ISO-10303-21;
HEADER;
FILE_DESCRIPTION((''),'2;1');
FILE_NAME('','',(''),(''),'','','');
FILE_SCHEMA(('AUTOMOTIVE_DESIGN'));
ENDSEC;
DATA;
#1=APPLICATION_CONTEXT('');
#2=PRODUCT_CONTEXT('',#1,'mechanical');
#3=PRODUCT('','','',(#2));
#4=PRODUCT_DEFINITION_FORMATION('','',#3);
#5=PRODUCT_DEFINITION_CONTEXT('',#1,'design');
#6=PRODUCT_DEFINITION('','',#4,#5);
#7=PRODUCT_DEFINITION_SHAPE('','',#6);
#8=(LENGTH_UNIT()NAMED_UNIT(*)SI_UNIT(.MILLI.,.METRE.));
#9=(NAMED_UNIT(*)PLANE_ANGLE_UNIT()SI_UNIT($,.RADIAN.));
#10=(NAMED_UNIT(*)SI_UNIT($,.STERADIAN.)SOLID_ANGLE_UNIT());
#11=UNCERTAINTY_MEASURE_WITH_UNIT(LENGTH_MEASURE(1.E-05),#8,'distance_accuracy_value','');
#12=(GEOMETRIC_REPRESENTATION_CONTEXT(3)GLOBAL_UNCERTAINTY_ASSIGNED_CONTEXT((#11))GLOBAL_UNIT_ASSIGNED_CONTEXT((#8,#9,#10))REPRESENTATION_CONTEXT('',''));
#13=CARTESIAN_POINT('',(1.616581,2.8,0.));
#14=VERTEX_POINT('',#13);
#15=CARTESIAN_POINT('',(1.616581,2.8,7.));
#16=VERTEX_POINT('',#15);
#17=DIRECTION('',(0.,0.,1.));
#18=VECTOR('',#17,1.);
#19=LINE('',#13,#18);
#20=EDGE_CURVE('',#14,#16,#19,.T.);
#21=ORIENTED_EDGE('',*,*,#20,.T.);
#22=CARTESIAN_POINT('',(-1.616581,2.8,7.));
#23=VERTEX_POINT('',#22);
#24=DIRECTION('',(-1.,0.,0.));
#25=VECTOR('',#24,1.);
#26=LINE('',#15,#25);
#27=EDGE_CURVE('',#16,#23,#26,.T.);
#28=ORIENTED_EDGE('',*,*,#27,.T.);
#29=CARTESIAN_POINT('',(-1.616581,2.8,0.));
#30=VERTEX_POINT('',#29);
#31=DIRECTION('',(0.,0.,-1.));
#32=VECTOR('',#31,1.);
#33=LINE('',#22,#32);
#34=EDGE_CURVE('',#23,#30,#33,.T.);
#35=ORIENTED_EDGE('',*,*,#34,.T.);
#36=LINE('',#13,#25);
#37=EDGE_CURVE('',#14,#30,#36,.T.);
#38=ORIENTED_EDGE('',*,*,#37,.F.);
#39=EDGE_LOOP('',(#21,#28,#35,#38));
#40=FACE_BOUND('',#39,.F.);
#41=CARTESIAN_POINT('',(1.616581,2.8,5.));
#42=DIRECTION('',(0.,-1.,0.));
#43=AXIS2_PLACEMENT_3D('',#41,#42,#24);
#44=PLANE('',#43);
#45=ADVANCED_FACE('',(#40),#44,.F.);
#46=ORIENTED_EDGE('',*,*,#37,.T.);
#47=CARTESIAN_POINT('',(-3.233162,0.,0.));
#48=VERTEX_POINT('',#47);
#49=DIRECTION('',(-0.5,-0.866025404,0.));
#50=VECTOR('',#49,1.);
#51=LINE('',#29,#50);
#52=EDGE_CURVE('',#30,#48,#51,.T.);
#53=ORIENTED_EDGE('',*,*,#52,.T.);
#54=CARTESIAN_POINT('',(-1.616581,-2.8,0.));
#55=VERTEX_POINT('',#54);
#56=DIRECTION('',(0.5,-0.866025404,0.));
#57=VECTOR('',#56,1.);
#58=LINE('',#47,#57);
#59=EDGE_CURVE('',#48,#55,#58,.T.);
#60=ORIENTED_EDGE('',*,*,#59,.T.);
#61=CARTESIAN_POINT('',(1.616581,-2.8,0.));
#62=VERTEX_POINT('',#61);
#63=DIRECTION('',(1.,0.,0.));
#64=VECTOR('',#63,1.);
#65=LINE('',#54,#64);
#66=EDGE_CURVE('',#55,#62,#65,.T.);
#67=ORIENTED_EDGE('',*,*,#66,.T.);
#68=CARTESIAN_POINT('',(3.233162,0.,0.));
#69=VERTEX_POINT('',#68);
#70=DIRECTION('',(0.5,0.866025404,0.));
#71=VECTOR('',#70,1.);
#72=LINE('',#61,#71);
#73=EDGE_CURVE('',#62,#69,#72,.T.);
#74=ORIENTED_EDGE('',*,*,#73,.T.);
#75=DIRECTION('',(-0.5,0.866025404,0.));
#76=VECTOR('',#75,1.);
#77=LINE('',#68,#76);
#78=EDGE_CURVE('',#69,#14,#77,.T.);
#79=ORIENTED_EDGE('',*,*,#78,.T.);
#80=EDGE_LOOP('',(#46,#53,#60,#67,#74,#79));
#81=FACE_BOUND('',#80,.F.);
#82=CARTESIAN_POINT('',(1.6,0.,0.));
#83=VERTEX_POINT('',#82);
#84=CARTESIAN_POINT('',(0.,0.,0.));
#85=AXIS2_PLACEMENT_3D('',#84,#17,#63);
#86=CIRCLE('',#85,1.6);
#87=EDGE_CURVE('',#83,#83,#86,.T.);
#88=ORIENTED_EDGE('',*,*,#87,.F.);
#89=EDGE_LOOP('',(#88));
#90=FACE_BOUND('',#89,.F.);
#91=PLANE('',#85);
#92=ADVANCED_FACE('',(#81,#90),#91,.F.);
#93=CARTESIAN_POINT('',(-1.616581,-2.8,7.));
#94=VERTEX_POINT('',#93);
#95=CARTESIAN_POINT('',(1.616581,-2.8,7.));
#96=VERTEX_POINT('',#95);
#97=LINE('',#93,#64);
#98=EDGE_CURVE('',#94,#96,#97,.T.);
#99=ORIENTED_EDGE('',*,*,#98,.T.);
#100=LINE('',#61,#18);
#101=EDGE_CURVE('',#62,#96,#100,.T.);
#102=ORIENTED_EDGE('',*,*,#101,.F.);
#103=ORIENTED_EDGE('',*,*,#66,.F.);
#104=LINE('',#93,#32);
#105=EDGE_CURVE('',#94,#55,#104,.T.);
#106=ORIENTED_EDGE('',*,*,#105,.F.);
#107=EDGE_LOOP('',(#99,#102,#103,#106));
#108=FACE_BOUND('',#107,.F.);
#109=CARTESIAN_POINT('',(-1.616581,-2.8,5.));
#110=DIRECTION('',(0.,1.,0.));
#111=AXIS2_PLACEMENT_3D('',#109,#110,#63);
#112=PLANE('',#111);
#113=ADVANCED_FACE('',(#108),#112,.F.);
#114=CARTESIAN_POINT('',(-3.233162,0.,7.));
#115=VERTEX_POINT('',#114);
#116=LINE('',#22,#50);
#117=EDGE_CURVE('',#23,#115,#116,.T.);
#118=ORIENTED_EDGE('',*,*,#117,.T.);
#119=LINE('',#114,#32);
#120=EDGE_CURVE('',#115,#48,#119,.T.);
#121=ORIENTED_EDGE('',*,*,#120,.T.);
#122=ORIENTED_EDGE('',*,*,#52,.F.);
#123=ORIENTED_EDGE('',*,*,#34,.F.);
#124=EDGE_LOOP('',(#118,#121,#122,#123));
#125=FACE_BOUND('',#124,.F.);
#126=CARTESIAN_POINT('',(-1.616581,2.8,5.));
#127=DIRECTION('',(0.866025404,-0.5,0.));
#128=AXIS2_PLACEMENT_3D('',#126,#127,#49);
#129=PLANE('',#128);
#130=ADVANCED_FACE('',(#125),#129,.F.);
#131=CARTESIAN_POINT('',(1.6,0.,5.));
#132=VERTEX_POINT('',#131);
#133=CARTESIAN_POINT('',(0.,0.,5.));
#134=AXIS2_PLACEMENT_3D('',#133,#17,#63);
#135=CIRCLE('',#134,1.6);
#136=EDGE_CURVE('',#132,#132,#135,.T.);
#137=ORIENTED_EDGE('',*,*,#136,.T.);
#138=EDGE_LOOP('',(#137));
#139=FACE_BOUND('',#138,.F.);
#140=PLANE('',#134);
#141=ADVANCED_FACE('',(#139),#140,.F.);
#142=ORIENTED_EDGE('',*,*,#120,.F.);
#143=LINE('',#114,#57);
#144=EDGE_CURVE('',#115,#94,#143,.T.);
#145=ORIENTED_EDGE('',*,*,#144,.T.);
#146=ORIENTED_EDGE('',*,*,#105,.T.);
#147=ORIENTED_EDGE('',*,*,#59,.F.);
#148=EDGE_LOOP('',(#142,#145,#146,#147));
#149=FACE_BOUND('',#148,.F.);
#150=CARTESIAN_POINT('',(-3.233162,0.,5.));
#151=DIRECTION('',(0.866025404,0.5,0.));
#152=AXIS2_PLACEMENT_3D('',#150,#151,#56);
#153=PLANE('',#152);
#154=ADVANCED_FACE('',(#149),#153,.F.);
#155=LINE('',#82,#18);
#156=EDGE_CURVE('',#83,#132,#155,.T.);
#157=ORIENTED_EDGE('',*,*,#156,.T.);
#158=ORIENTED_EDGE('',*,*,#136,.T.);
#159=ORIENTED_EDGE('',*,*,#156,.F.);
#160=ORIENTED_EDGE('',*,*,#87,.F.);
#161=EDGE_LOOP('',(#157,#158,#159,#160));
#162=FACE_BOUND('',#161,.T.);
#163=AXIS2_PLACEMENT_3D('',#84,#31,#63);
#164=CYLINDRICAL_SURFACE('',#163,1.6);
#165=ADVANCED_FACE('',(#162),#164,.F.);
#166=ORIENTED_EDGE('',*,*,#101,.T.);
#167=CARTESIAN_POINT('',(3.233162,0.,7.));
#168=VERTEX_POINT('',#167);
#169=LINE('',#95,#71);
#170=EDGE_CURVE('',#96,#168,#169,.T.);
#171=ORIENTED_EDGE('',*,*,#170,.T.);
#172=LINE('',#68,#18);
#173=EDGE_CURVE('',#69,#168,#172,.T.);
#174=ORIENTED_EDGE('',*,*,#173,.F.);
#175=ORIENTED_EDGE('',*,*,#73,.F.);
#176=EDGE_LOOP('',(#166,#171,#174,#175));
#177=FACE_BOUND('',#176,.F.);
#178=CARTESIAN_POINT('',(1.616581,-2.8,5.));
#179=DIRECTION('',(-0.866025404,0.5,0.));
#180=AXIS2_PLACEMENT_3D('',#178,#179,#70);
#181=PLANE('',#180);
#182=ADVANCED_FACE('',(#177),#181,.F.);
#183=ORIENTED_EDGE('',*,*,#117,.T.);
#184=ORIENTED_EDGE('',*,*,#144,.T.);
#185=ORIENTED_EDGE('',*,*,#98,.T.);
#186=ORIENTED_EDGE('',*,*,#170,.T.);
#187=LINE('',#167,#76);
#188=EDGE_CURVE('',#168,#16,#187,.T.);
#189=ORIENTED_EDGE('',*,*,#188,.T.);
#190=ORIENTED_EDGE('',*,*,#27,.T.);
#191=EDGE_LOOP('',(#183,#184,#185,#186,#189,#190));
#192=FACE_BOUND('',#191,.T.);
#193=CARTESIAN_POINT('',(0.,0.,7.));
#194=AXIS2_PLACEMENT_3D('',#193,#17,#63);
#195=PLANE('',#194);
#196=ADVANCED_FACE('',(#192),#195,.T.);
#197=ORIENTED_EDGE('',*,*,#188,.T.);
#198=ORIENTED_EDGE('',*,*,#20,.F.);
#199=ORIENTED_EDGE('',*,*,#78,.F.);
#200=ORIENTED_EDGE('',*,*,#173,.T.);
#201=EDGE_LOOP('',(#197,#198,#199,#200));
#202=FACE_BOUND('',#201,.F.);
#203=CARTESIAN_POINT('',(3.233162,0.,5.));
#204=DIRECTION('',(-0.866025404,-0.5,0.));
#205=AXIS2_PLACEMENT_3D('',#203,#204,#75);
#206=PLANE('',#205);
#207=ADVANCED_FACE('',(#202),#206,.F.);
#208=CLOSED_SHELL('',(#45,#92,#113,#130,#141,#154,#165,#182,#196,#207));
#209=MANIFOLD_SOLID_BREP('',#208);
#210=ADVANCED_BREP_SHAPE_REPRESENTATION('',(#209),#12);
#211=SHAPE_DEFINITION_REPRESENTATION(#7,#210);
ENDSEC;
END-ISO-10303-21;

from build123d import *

# Parameters (mm, degrees)
F2_R     = 1.6
F3_DEPTH = 5
F4_R     = 1.6
F5_DEPTH = 2


with BuildPart() as f3:
    # F2 (on Top) → F3 (new body)
    with BuildSketch(Plane.XY):
        Polygon((-1.6165807537, -2.8), (1.6165807537, -2.8), (3.2331615075, 0), (1.6165807537, 2.8), (-1.6165807537, 2.8), (-3.2331615075, 0), align=None)
        Circle(F2_R, mode=Mode.SUBTRACT)
    extrude(amount=F3_DEPTH)

    # F4 (on face) → F5 (join)
    with BuildSketch(Plane.XY.offset(5)):
        Polygon((-1.6165807537, -2.8), (1.6165807537, -2.8), (3.2331615075, 0), (1.6165807537, 2.8), (-1.6165807537, 2.8), (-3.2331615075, 0), align=None)
        Circle(F4_R, mode=Mode.SUBTRACT)
        Circle(F4_R)
    extrude(amount=F5_DEPTH)


solid = f3.part
